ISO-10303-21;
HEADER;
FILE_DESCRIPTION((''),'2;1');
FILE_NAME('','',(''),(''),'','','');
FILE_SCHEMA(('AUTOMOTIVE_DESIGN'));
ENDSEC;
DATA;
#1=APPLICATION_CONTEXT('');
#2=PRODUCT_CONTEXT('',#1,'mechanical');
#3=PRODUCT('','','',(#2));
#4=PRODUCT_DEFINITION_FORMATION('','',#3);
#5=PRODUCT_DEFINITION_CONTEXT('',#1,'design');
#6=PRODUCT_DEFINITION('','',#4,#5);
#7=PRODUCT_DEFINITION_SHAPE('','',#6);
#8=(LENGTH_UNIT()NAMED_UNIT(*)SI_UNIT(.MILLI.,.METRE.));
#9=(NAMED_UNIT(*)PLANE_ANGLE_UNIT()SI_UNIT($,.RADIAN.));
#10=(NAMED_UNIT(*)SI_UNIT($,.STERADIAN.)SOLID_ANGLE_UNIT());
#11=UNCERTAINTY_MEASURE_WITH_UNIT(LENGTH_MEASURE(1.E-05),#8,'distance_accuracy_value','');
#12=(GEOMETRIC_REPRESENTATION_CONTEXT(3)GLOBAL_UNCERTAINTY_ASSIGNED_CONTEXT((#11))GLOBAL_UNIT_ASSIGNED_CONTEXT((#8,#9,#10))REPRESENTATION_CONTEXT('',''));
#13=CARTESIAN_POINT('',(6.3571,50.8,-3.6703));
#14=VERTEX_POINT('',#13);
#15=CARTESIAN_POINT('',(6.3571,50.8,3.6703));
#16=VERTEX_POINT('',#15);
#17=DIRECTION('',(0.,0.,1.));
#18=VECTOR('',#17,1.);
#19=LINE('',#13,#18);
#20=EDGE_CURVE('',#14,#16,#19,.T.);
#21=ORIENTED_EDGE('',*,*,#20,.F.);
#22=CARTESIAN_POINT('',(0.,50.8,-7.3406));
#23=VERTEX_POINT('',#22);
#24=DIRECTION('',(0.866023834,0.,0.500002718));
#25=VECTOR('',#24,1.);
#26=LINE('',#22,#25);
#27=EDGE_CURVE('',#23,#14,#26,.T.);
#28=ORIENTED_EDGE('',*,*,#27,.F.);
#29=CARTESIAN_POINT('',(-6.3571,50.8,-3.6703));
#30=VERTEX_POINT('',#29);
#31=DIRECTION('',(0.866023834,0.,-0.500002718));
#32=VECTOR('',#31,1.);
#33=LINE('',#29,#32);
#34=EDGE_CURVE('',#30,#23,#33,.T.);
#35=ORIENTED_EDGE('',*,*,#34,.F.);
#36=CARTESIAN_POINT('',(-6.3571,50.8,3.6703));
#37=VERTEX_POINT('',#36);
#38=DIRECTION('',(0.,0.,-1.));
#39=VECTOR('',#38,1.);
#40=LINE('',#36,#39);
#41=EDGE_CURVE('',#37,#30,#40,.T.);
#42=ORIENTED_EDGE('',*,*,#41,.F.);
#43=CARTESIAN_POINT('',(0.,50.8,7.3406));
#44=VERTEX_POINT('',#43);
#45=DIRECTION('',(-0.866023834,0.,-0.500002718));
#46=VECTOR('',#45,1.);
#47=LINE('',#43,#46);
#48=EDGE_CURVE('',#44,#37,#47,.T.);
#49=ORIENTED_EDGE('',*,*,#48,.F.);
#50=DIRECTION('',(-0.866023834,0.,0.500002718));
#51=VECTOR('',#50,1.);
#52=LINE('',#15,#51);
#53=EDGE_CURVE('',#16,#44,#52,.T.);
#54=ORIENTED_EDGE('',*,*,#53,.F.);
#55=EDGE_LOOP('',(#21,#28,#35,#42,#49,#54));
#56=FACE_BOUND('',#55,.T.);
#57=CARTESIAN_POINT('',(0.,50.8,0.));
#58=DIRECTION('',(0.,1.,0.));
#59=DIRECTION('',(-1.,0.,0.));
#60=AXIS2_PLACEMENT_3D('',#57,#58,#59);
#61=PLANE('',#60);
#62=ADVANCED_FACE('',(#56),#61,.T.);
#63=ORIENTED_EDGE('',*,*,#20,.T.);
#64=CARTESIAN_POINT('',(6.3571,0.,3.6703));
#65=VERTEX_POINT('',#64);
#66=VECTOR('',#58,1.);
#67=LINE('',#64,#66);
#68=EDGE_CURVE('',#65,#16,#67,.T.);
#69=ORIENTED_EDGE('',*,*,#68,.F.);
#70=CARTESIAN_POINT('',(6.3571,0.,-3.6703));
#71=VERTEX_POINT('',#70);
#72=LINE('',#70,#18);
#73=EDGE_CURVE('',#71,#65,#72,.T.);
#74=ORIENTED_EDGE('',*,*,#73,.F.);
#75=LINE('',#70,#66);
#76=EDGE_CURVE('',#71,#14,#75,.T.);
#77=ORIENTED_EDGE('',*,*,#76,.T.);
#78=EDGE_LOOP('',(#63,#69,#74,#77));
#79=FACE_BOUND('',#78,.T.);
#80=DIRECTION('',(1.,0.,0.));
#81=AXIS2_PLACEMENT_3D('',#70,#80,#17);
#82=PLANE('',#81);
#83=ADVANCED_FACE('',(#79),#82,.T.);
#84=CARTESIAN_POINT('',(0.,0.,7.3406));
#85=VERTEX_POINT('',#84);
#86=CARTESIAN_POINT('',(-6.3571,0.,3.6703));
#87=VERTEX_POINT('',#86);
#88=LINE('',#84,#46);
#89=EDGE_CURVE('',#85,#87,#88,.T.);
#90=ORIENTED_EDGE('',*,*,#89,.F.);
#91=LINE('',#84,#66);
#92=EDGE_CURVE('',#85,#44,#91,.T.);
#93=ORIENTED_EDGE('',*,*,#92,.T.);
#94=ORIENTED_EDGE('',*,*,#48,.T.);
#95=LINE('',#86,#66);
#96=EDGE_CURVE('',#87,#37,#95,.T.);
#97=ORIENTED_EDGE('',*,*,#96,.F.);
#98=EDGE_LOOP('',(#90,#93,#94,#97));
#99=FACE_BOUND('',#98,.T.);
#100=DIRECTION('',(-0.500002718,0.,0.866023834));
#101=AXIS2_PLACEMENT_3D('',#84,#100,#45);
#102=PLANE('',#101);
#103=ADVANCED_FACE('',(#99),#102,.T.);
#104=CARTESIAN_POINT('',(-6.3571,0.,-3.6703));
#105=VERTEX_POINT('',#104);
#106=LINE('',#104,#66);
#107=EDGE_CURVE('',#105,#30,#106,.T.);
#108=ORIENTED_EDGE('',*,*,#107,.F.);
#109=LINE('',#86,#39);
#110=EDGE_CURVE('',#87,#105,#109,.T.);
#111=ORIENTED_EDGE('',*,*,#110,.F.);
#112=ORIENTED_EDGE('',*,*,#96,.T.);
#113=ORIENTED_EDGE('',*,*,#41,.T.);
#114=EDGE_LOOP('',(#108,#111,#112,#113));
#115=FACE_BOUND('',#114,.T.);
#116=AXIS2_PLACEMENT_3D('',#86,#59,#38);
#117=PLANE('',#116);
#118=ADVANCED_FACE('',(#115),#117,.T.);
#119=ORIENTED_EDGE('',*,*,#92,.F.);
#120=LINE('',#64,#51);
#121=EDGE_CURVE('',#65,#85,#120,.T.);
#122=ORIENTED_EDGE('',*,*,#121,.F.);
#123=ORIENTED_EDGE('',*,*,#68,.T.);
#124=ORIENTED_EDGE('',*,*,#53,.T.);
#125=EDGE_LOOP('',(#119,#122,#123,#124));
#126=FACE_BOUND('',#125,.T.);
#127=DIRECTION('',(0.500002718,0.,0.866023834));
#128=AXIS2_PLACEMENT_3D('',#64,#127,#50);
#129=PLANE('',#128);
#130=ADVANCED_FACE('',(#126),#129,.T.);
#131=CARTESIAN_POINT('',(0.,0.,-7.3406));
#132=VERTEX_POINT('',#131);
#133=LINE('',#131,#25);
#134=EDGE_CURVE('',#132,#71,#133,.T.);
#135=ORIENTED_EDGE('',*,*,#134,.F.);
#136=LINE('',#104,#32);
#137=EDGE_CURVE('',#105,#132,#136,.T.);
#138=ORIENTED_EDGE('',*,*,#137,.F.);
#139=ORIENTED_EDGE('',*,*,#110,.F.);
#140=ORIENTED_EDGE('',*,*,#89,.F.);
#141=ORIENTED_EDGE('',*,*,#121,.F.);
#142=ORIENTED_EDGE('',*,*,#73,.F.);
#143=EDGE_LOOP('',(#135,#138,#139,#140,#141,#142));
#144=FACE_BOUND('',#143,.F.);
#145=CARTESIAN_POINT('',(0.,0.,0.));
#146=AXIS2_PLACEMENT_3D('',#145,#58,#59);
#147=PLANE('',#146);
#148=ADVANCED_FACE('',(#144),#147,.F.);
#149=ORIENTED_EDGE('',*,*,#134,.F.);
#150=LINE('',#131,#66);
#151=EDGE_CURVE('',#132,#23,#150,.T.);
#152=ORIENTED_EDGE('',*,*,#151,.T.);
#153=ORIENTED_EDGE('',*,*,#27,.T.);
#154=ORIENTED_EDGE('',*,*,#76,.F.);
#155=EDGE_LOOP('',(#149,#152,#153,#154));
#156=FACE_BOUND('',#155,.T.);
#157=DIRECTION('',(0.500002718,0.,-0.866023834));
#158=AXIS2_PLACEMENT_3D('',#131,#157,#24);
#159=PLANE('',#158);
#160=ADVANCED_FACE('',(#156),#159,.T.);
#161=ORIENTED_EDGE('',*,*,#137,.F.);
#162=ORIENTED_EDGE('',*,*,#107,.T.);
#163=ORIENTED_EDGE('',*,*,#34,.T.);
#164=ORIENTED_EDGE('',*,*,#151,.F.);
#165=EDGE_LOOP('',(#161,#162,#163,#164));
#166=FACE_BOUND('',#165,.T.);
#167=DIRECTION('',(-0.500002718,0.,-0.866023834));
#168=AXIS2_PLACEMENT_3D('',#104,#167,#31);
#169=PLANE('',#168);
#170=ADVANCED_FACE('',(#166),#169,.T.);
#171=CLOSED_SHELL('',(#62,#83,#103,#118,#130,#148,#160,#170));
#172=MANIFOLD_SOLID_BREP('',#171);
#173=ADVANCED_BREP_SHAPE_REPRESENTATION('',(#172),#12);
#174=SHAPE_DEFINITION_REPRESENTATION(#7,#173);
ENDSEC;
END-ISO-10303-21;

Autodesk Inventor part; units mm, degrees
ref_plane "YZ Plane" through (0, 0, 0) normal (1, 0, 0) x (0, 1, 0)
ref_plane "XZ Plane" through (0, 0, 0) normal (0, 1, 0) x (-1, 0, 0)
ref_plane "XY Plane" through (0, 0, 0) normal (0, 0, 1) x (1, 0, 0)
sketch "Sketch1" plane through (0, 0, 0) normal (0, 1, 0) x (-1, 0, 0)
  line L0 (0, -7.3406) -> (-6.3571, -3.6703)
  line L1 (-6.3571, -3.6703) -> (-6.3571, 3.6703)
  line L2 (-6.3571, 3.6703) -> (0, 7.3406)
  line L3 (0, 7.3406) -> (6.3571, 3.6703)
  line L4 (6.3571, 3.6703) -> (6.3571, -3.6703)
  line L5 (6.3571, -3.6703) -> (0, -7.3406)
  point P0 (0, 0)
  point P1 (0, 0)
  dimension "d0" = 7.3406
extrude "Extrusion1" add sketch "Sketch1" along normal blind 50.8
properties part number "Arm short hex"
